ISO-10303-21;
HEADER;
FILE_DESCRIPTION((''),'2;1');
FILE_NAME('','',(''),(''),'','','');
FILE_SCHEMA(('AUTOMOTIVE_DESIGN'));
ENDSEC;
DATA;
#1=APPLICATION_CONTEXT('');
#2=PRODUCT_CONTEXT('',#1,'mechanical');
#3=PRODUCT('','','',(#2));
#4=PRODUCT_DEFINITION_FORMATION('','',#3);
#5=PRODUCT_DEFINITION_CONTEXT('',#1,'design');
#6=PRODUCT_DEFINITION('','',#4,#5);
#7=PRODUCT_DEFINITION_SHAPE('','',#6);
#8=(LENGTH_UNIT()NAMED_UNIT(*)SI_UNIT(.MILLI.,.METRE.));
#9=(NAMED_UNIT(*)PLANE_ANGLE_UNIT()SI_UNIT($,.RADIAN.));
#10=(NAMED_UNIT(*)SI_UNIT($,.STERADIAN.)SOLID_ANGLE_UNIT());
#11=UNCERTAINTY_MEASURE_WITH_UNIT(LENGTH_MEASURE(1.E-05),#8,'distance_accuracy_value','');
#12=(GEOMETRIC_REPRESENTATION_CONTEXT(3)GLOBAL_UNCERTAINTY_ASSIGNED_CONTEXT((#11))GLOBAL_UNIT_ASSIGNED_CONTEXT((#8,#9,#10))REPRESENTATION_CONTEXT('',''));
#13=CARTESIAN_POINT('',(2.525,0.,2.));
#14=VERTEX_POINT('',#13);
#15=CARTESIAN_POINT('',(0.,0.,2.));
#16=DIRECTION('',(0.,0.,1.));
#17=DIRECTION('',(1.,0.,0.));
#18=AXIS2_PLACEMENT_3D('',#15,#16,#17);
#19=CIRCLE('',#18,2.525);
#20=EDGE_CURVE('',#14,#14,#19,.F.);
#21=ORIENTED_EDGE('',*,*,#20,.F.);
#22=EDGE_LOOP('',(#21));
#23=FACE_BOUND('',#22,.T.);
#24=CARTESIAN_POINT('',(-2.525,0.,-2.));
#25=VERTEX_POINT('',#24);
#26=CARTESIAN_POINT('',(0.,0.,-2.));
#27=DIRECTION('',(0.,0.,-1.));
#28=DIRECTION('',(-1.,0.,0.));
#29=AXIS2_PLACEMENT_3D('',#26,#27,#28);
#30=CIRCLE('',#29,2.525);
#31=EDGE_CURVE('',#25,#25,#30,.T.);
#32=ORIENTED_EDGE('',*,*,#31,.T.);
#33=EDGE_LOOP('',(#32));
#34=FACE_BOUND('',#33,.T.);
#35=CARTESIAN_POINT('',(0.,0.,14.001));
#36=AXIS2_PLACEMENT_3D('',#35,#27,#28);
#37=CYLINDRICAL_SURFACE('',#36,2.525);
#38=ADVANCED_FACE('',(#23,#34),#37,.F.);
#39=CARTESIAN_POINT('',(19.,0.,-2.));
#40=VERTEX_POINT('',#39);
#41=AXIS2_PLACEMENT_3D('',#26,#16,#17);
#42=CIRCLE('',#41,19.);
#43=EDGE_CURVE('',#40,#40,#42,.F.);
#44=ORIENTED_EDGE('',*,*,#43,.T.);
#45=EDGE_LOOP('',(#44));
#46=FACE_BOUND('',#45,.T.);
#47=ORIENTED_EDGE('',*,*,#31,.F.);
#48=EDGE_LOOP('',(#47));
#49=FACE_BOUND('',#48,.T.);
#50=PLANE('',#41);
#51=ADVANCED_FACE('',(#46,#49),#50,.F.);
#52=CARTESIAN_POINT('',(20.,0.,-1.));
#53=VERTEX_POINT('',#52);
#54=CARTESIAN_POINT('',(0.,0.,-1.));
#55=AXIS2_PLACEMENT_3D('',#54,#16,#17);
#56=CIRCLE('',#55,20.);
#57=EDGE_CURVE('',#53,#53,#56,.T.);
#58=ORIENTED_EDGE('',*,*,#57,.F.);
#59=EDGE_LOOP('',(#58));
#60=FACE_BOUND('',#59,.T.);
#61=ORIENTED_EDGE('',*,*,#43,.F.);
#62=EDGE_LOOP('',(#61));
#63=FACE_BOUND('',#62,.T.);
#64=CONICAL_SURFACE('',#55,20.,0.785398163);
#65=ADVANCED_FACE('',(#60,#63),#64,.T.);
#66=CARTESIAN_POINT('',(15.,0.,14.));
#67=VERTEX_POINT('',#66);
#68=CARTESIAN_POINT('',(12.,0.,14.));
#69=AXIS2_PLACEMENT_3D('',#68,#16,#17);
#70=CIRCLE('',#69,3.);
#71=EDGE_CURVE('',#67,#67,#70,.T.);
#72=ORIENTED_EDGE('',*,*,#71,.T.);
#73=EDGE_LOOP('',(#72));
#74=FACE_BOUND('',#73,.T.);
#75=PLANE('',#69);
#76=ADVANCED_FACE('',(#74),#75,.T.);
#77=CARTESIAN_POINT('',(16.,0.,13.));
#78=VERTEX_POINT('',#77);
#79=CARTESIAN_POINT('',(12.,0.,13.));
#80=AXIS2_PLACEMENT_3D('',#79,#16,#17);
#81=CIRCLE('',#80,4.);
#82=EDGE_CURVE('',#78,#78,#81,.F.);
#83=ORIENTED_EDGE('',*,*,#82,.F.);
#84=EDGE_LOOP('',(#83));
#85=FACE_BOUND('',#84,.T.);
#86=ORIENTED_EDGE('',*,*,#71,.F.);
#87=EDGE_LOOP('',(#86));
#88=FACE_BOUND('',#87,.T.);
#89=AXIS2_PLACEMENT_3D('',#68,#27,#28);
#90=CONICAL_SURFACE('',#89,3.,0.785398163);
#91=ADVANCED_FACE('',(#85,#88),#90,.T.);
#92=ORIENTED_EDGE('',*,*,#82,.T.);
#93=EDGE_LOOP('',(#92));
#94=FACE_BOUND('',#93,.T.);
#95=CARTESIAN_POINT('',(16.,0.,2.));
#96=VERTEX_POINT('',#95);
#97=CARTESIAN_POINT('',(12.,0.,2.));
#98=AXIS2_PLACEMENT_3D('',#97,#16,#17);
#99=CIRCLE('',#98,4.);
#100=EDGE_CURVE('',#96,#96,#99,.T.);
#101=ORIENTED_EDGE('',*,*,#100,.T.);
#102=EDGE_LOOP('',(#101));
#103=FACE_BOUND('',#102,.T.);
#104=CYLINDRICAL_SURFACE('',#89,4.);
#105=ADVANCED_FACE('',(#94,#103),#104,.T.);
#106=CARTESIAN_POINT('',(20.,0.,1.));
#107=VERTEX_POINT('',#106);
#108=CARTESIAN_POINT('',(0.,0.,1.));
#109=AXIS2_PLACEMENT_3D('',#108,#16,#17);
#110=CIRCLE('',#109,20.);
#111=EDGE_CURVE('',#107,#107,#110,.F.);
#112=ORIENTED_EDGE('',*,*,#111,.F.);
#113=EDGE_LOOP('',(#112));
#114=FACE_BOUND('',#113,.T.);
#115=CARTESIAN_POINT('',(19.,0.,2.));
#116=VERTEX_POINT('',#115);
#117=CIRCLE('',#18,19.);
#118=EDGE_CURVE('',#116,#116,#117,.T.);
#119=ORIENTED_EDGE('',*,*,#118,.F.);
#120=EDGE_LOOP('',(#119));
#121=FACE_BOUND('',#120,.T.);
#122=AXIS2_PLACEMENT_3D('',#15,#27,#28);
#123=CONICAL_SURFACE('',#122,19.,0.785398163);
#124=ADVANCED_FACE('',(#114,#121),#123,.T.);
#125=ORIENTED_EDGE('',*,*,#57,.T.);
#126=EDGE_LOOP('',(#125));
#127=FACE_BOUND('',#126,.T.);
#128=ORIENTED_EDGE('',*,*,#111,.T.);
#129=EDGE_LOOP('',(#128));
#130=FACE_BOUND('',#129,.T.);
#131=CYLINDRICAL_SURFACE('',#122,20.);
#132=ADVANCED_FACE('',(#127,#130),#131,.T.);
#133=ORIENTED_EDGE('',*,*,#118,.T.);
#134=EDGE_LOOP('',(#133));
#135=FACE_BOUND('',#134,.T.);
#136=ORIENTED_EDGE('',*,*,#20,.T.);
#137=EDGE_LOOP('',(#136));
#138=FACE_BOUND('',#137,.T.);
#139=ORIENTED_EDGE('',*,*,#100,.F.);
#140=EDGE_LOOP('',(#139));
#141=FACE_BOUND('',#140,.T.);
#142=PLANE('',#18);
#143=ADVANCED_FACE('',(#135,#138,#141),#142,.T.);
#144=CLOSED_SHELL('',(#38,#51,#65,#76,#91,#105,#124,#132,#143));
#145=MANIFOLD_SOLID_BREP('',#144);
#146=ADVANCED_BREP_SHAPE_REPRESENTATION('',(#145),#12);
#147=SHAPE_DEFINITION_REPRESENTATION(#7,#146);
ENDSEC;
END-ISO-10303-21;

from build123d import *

# Parameters (mm, degrees)
SKETCH1_R           = 20
BOSS_EXTRUDE1_DEPTH = 2
SKETCH2_R           = 4
BOSS_EXTRUDE2_DEPTH = 12
CUT_EXTRUDE1_REACH  = 34.496
SKETCH3_R           = 2.525
CHAMFER2_SIZE       = 1


with BuildPart() as part:
    # Sketch1 → Boss-Extrude1 (new, symmetric)
    with BuildSketch(Plane.XY):
        Circle(SKETCH1_R)
    extrude(amount=BOSS_EXTRUDE1_DEPTH, both=True)

    # Sketch2 → Boss-Extrude2 (add)
    with BuildSketch(Plane.XY.offset(2)):
        with Locations((12, 0)):
            Circle(SKETCH2_R)
    extrude(amount=BOSS_EXTRUDE2_DEPTH)

    # Sketch3 → Cut-Extrude1 (cut, up to next)
    with BuildSketch(Plane(origin=(0, 0, -2), x_dir=(-1, 0, 0), z_dir=(0, 0, -1)), mode=Mode.PRIVATE) as cut_extrude1_sk1:
        Circle(SKETCH3_R)
    cut_extrude1_tool1 = extrude(cut_extrude1_sk1.sketch, amount=-CUT_EXTRUDE1_REACH, mode=Mode.PRIVATE) & part.part
    add(cut_extrude1_tool1.solids().sort_by_distance((0, 0, -2))[0], mode=Mode.SUBTRACT)

    # Chamfer2
    chamfer2_edges = [part.edges().sort_by_distance(p)[0] for p in [
        (-20, 0, -2),
        (-20, 0, 2),
        (8, 0, 14),
    ]]
    chamfer(chamfer2_edges, length=CHAMFER2_SIZE)


solid = part.part
